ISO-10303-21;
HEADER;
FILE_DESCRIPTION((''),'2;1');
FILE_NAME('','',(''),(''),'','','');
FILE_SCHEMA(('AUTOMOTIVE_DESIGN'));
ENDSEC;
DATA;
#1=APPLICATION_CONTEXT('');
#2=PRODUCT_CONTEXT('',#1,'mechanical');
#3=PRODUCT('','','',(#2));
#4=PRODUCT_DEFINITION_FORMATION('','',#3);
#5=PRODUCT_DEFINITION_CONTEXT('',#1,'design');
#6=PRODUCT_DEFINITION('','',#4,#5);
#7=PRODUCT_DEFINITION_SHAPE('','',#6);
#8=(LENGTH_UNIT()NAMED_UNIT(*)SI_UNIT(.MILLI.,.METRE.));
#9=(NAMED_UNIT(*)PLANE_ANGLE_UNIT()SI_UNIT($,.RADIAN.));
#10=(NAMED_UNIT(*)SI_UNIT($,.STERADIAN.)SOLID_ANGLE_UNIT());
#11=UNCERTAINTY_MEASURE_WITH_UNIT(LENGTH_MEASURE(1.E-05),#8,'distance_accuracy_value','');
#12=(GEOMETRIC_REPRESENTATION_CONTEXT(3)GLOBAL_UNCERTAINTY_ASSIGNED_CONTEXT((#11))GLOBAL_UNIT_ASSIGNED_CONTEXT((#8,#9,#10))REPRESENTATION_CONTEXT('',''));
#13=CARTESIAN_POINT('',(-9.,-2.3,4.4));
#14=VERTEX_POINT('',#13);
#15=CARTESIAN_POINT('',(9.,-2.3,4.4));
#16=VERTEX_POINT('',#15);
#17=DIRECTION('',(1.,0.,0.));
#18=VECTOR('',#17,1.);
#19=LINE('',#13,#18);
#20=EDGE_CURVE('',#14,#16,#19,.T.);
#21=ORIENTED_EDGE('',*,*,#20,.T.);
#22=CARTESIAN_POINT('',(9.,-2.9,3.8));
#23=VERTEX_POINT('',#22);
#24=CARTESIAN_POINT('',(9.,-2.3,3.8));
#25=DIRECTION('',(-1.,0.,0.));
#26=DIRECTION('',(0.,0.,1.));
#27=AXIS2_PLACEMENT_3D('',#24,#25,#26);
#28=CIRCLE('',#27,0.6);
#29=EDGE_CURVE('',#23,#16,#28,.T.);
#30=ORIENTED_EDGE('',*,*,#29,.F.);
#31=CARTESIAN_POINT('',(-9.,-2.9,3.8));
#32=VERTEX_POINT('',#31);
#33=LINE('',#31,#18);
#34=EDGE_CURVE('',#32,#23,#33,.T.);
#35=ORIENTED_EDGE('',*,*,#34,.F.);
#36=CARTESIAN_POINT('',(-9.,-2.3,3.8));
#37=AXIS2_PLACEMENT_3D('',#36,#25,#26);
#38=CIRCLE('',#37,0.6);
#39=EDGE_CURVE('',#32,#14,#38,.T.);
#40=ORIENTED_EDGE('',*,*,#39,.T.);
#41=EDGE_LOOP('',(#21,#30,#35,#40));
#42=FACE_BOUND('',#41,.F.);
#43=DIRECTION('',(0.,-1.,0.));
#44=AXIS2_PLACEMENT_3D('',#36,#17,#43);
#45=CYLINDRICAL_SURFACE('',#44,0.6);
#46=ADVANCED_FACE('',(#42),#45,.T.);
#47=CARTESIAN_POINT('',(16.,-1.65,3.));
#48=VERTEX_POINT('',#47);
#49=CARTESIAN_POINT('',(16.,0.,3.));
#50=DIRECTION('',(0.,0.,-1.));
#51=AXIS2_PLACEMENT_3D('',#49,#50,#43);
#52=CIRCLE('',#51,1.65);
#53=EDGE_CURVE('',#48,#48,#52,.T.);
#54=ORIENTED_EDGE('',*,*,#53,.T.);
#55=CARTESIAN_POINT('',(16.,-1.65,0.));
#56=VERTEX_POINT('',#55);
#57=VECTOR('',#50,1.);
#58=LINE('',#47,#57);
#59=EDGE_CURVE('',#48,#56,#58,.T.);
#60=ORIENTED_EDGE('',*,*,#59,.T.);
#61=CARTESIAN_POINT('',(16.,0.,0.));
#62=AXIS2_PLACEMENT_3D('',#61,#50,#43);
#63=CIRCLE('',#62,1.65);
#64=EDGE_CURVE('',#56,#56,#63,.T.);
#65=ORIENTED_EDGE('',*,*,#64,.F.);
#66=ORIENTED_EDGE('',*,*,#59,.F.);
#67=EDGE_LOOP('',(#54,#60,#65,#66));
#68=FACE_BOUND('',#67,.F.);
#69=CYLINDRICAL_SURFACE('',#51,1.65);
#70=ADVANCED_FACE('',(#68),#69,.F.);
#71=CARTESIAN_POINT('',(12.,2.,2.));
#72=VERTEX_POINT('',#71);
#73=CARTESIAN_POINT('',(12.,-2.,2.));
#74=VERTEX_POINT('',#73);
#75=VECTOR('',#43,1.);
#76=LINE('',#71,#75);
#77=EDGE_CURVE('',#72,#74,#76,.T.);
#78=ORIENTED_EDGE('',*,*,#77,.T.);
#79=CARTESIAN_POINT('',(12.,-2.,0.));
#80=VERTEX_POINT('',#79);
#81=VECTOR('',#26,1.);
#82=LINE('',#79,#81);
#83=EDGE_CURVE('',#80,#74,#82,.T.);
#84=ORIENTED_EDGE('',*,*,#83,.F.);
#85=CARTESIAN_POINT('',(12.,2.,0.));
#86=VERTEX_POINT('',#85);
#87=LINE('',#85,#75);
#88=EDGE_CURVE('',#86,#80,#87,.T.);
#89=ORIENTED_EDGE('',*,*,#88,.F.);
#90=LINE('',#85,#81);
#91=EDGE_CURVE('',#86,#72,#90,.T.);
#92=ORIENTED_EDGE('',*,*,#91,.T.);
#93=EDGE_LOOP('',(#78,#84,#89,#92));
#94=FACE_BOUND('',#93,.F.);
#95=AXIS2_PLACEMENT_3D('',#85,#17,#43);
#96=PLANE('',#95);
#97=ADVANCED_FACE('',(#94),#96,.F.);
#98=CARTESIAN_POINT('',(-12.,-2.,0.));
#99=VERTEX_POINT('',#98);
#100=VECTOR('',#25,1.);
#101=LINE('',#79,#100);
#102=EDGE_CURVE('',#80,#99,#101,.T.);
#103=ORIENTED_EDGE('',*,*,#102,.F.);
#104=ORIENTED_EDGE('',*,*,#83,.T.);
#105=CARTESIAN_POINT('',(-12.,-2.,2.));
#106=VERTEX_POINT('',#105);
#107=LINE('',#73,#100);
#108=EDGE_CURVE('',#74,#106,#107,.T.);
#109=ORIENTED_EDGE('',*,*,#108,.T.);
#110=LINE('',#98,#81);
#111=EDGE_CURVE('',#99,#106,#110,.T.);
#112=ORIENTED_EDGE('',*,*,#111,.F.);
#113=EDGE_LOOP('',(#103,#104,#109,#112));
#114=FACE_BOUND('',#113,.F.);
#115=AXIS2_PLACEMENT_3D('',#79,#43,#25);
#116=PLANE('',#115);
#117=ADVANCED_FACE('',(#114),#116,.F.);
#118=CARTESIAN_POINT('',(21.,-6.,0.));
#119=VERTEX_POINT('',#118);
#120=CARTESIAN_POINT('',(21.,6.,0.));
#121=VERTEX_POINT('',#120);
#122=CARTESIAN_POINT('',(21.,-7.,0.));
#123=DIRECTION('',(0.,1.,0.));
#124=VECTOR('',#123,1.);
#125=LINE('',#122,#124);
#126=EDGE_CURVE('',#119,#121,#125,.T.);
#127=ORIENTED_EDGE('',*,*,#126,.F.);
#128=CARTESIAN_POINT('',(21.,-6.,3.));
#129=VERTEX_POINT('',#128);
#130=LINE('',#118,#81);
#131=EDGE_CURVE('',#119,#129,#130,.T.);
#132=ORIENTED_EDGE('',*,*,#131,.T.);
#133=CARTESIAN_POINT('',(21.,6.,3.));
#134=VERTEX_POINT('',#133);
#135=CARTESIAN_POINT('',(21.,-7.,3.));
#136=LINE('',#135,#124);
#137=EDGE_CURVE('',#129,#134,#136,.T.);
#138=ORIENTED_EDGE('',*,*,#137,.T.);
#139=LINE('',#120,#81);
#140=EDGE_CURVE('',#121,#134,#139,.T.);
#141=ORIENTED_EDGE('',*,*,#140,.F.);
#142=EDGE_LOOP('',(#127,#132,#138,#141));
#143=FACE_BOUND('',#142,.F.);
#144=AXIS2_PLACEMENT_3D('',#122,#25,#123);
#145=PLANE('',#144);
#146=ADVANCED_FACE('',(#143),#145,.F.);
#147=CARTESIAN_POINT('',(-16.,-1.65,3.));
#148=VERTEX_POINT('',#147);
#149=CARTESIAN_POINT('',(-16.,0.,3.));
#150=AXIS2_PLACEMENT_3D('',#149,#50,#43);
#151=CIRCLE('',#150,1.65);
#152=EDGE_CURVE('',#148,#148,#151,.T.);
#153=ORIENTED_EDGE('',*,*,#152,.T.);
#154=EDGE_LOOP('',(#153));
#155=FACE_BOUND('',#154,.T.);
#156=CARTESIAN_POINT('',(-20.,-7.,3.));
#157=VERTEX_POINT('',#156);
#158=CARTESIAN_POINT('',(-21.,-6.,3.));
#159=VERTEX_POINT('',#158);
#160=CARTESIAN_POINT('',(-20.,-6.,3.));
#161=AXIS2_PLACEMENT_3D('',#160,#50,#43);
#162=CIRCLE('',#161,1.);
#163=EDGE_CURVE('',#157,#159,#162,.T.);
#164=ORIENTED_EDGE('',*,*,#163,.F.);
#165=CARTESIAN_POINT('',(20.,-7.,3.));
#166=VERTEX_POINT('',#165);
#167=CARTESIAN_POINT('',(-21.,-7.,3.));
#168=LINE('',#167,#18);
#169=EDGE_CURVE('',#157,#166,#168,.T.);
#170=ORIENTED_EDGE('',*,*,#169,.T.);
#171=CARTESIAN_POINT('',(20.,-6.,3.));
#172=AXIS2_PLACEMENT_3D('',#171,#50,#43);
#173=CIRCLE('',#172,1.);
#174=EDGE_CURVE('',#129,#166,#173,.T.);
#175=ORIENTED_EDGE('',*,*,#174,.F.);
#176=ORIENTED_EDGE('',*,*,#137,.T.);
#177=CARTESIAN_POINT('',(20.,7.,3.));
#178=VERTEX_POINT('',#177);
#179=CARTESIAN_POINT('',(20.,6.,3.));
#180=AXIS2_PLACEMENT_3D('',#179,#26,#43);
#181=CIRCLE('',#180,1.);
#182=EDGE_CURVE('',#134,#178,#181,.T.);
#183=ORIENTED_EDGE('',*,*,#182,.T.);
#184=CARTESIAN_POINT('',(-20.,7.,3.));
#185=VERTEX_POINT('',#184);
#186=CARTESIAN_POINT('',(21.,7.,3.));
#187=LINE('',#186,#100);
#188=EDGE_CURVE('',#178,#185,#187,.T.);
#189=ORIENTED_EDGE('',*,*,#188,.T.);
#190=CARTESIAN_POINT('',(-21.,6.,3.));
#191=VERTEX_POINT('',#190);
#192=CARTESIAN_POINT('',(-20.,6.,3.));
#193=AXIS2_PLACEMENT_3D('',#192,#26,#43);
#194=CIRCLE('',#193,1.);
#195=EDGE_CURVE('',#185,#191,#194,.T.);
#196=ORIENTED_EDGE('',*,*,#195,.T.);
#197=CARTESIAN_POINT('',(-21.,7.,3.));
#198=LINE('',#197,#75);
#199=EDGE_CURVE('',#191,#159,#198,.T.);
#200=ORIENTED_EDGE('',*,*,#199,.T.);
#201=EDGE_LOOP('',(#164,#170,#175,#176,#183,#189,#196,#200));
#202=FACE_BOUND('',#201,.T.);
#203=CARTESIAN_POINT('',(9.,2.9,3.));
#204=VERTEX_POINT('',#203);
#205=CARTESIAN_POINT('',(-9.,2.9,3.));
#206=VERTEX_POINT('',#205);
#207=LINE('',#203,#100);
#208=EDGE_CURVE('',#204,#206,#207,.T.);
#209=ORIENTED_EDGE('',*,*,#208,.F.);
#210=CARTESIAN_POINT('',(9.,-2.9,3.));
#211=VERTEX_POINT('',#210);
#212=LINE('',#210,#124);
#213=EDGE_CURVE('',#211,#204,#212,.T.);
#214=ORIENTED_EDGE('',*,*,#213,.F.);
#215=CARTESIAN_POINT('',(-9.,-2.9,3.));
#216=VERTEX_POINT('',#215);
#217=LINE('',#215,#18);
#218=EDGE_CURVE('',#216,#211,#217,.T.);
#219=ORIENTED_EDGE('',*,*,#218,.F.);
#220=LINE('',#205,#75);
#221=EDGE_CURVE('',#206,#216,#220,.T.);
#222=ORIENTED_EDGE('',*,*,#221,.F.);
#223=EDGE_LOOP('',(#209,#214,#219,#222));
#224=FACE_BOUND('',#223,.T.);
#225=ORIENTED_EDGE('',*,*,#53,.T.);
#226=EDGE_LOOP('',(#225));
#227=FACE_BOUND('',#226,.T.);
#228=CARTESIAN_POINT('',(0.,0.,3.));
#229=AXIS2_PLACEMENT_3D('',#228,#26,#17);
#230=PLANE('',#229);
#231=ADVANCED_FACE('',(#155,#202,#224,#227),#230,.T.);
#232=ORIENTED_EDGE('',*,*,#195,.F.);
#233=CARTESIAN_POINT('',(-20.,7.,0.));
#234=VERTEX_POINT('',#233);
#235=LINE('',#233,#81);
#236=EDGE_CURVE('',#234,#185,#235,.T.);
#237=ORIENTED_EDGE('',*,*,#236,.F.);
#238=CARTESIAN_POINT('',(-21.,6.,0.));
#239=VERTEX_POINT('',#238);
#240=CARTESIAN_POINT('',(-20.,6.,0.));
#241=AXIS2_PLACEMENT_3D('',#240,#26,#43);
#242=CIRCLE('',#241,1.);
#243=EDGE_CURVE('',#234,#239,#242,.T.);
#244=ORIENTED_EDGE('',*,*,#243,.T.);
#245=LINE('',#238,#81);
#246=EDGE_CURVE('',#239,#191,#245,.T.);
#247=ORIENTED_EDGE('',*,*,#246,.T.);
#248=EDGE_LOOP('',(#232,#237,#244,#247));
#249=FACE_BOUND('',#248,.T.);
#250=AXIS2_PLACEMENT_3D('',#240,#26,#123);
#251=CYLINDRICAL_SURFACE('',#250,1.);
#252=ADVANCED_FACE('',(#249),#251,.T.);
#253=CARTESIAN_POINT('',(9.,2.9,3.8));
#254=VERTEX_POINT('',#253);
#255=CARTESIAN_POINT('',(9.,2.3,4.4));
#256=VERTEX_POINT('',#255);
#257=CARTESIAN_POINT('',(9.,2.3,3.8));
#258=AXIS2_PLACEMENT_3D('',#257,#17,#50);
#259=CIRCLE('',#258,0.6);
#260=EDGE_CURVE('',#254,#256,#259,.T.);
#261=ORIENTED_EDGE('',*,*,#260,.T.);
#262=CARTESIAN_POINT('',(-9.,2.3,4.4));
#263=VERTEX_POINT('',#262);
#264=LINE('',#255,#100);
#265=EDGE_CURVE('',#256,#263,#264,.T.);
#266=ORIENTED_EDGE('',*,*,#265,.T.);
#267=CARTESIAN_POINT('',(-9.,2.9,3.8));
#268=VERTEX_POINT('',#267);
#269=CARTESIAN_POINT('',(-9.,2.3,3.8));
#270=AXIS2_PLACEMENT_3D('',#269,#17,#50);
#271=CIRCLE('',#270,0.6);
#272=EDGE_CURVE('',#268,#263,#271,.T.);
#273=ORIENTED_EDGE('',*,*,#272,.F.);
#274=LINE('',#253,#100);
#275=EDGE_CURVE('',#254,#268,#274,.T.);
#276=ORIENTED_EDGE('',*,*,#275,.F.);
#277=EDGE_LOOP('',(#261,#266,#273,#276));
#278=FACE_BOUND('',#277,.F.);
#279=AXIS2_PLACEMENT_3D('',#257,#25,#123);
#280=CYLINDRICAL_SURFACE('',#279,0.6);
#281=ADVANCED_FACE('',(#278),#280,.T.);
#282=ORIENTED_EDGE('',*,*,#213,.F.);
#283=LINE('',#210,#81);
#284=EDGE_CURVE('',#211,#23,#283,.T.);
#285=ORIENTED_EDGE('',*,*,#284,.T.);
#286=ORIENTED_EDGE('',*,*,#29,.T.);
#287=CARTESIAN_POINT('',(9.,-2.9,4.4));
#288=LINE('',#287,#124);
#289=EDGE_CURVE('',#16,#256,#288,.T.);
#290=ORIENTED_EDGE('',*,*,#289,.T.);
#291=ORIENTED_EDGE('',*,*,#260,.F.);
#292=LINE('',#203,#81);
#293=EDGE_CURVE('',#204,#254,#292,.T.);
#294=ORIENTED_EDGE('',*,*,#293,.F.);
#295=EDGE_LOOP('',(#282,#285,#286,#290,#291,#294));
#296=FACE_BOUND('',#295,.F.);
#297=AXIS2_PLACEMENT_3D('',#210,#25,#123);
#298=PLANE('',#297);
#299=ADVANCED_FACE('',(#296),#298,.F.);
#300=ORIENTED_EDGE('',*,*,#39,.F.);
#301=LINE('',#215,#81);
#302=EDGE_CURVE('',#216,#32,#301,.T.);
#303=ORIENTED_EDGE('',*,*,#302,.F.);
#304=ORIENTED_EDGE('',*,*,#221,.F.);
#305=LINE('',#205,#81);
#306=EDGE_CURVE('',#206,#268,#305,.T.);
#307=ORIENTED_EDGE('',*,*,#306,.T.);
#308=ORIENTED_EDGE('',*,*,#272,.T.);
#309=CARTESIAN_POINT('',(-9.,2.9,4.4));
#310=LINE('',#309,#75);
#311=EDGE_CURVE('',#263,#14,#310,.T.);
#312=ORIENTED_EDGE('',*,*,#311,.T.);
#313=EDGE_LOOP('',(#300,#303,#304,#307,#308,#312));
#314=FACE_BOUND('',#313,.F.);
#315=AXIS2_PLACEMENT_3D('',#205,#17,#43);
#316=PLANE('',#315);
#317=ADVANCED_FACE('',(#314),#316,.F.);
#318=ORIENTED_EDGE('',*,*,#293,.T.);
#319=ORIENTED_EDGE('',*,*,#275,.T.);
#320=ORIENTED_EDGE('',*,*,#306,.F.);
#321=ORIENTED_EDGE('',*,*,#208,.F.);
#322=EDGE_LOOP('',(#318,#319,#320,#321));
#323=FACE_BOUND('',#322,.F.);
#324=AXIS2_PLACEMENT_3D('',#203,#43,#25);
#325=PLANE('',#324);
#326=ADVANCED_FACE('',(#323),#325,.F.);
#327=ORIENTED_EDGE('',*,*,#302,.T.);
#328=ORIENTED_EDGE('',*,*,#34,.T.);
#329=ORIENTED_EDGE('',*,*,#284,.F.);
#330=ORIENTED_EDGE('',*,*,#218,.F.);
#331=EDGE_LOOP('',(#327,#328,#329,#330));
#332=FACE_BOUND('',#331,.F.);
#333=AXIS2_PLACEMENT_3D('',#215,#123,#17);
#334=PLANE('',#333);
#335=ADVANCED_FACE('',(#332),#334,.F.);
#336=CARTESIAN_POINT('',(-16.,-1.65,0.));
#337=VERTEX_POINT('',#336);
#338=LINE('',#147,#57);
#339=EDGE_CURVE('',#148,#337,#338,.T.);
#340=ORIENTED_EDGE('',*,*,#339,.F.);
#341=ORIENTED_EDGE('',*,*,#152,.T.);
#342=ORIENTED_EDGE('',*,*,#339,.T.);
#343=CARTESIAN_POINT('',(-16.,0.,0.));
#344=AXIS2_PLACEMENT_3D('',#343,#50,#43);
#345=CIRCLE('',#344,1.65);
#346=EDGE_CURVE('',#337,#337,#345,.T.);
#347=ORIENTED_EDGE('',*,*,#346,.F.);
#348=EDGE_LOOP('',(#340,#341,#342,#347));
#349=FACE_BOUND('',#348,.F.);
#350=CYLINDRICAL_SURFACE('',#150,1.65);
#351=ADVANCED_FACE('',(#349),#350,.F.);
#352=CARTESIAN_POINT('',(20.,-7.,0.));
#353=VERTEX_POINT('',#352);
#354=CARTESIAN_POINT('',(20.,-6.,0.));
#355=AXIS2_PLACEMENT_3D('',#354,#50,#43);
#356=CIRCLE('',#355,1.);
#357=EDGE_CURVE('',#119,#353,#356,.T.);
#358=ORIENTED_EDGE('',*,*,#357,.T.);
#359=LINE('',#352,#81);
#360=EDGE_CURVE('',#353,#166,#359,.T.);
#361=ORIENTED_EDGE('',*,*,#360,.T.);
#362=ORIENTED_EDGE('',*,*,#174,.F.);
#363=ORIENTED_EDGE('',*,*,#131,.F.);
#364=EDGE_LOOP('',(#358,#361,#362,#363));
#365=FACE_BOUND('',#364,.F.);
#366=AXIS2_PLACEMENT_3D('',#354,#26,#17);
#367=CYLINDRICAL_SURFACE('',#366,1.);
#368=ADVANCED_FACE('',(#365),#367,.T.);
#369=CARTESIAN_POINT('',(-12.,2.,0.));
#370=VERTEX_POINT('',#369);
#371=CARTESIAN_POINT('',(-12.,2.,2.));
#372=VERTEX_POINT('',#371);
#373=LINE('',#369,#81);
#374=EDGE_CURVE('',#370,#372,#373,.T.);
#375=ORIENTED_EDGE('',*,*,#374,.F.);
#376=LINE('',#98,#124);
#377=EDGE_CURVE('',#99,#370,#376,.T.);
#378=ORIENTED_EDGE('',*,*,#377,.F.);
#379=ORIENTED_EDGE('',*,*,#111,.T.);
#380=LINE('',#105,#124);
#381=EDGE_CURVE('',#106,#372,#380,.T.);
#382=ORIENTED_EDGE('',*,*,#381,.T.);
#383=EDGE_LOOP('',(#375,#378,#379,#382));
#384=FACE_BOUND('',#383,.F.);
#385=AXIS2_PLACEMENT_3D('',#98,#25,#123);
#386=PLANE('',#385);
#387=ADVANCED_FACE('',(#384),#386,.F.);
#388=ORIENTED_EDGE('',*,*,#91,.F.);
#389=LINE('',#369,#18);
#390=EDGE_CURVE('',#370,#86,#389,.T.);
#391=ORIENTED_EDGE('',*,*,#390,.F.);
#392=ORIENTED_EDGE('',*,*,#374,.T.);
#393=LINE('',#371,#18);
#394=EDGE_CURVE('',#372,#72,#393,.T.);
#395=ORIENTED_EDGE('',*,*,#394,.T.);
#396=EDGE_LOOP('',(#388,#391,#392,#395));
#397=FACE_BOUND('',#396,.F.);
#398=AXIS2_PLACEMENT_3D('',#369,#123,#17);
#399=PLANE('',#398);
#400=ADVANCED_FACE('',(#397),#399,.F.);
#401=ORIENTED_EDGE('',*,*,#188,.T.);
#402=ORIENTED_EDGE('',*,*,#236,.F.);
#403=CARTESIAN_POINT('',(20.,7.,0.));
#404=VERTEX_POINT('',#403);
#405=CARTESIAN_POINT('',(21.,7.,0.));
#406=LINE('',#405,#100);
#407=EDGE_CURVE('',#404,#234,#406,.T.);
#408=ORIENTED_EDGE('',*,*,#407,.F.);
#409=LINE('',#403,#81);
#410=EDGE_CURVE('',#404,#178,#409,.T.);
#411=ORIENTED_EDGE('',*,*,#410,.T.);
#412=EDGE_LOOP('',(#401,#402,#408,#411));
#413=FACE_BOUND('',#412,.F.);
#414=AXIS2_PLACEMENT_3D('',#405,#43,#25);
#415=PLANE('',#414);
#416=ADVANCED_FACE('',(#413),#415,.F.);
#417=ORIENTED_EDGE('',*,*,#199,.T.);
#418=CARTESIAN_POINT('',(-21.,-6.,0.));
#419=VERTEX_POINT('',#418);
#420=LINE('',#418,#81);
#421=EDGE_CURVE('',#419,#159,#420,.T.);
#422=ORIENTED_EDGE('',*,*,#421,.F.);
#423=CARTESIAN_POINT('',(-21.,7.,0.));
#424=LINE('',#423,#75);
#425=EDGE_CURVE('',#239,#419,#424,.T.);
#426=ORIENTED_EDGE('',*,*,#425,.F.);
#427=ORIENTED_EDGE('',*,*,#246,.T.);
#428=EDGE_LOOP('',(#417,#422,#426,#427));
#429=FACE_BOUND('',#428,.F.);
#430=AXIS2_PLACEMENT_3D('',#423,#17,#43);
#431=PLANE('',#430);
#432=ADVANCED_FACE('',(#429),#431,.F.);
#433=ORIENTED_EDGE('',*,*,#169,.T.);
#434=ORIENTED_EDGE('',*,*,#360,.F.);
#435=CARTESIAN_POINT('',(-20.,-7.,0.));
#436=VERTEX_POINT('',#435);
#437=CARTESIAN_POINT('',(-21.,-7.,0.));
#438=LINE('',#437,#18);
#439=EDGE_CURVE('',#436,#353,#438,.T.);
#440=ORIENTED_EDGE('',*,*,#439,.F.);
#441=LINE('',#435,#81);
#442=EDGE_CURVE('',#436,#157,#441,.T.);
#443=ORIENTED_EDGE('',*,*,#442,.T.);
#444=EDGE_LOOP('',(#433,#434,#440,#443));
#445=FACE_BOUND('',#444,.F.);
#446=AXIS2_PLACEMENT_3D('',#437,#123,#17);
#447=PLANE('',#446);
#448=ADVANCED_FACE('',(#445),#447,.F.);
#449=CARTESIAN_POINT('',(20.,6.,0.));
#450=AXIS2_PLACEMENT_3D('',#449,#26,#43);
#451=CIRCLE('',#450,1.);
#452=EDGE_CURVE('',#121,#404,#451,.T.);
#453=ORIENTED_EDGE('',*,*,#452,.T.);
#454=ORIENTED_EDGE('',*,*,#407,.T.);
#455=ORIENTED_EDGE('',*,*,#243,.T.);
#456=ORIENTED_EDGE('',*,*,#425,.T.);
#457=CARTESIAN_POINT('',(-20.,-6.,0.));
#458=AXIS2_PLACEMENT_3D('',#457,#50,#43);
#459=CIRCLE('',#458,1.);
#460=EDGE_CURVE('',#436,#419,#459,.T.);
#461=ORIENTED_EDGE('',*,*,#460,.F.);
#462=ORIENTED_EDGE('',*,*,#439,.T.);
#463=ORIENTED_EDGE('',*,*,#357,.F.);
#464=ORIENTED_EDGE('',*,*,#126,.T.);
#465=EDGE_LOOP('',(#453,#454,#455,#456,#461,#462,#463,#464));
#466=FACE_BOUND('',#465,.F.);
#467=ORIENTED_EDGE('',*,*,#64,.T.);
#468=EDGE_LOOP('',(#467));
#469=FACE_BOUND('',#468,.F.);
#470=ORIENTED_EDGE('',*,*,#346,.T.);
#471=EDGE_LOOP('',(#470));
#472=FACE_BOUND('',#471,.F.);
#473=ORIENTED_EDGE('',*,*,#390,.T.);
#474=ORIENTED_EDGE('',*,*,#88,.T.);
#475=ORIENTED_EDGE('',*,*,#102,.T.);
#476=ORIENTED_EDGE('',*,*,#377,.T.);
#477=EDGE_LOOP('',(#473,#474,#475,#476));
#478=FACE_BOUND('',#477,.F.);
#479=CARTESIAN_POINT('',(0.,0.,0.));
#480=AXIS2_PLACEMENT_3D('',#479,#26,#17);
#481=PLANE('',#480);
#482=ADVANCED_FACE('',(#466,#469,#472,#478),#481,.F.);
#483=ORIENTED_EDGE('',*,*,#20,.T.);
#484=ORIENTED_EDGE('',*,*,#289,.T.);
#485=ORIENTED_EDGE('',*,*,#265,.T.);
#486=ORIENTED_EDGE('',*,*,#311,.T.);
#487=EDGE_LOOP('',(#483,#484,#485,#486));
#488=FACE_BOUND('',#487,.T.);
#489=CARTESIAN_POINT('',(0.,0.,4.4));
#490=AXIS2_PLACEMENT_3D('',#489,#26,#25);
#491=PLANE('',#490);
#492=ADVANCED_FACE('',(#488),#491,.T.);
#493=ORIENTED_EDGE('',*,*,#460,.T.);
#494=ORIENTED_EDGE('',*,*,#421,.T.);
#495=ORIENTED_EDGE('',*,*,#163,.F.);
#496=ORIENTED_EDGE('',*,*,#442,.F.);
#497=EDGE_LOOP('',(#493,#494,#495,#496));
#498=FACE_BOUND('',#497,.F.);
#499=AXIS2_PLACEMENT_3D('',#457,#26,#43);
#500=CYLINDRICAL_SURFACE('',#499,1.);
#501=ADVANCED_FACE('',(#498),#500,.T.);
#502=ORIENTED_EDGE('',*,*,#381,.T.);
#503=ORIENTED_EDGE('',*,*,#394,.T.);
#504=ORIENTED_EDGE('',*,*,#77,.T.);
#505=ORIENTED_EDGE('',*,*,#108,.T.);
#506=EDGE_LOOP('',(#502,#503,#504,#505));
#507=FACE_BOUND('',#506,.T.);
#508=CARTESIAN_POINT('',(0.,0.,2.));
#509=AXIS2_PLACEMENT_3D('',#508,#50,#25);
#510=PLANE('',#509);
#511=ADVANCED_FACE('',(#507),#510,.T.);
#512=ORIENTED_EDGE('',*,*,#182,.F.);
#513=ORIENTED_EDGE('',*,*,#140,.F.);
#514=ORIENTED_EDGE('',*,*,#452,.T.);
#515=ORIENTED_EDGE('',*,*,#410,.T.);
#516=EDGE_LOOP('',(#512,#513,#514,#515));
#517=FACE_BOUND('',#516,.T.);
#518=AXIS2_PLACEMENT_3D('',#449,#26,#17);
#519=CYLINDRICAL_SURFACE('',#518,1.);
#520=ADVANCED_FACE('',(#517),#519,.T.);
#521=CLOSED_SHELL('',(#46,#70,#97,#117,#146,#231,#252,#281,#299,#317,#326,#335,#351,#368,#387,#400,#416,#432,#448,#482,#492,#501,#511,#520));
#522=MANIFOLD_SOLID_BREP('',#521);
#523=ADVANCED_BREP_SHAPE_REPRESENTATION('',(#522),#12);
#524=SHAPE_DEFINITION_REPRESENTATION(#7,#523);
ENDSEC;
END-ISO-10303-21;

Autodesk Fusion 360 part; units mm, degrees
sketch "Sketch1" plane through (0, 0, 0) normal (0, 0, 1) x (1, 0, 0)
  line L0 (21, 7) -> (-21, 7)
  line L1 (-21, 7) -> (-21, -7)
  line L2 (-21, -7) -> (21, -7)
  line L3 (21, -7) -> (21, 7)
  line L4 (21, 7) -> (-21, -7) construction
  line L5 (-21, 7) -> (21, -7) construction
  line L6 (-16, 0) -> (16, 0) construction
  circle A0 centre (-16, 0) radius 2.35
  circle A1 centre (16, 0) radius 2.35
  dimension "d1" = 14
  dimension "d2" = 42
  dimension "d3" = 32
  dimension "d4" = 4.7
extrude "Extrude1" add sketch "Sketch1" along normal blind 3 contours L0 L1 L2 L3 | A0 | A1
sketch "Sketch2" plane through (0, 0, 3) normal (0, 0, 1) x (-1, 0, 0)
  line L0 (-21, 7) -> (-21, -7)
  line L1 (-21, -7) -> (21, -7)
  line L2 (21, -7) -> (21, 7)
  line L3 (21, 7) -> (-21, 7)
  line L4 (16, 0) -> (-16, 0) construction
  dimension "d7" = 32
hole "Hole1" at (-16, 0, 3) at (16, 0, 3) direction (0, 0, -1) diameter 3.3 depth 5 tip angle 180
sketch "Sketch3" plane through (0, 0, 0) normal (0, 0, -1) x (-1, 0, 0)
  circle A0 centre (16, 0) radius 1.65
  circle A1 centre (-16, 0) radius 1.65
  line L0 (-21, 6) -> (-21, -6)
  line L1 (-21, -6) -> (21, -6)
  line L2 (21, -6) -> (21, 6)
  line L3 (21, 6) -> (-21, 6)
  circle A2 centre (16, 0) radius 1.65
  circle A3 centre (-16, 0) radius 1.65
  line L4 (-21, 7) -> (-21, -7)
  line L5 (-21, -7) -> (21, -7)
  line L6 (21, -7) -> (21, 7)
  line L7 (21, 7) -> (-21, 7)
  line L8 (-12, -2) -> (12, -2)
  line L9 (12, -2) -> (12, 2)
  line L10 (12, 2) -> (-12, 2)
  line L11 (-12, 2) -> (-12, -2)
  line L12 (-12, -2) -> (12, 2) construction
  line L13 (12, -2) -> (-12, 2) construction
  dimension "d11" = 4
  dimension "d12" = 24
extrude "Extrude2" cut sketch "Sketch3" against normal blind 2 contours L8 L9 L10 L11
sketch "Sketch4" plane through (0, 0, 3) normal (0, 0, 1) x (-1, 0, 0)
  circle A0 centre (16, 0) radius 1.65
  circle A1 centre (-16, 0) radius 1.65
  line L0 (-21, 7) -> (-21, -7)
  line L1 (-21, -7) -> (21, -7)
  line L2 (21, -7) -> (21, 7)
  line L3 (21, 7) -> (-21, 7)
  line L4 (-9, -2.9) -> (9, -2.9)
  line L5 (9, -2.9) -> (9, 2.9)
  line L6 (9, 2.9) -> (-9, 2.9)
  line L7 (-9, 2.9) -> (-9, -2.9)
  line L8 (-9, -2.9) -> (9, 2.9) construction
  line L9 (9, -2.9) -> (-9, 2.9) construction
  dimension "d15" = 5.8
  dimension "d16" = 18
extrude "Extrude3" add sketch "Sketch4" along normal blind 1.4 contours L4 L5 L6 L7
fillet "Fillet1" radius 0.6 2 edges at (0, -2.9, 4.4) (0, 2.9, 4.4)
fillet "Fillet2" radius 1 4 edges at (-21, 7, 1.5) (21, 7, 1.5) (21, -7, 1.5) (-21, -7, 1.5)
